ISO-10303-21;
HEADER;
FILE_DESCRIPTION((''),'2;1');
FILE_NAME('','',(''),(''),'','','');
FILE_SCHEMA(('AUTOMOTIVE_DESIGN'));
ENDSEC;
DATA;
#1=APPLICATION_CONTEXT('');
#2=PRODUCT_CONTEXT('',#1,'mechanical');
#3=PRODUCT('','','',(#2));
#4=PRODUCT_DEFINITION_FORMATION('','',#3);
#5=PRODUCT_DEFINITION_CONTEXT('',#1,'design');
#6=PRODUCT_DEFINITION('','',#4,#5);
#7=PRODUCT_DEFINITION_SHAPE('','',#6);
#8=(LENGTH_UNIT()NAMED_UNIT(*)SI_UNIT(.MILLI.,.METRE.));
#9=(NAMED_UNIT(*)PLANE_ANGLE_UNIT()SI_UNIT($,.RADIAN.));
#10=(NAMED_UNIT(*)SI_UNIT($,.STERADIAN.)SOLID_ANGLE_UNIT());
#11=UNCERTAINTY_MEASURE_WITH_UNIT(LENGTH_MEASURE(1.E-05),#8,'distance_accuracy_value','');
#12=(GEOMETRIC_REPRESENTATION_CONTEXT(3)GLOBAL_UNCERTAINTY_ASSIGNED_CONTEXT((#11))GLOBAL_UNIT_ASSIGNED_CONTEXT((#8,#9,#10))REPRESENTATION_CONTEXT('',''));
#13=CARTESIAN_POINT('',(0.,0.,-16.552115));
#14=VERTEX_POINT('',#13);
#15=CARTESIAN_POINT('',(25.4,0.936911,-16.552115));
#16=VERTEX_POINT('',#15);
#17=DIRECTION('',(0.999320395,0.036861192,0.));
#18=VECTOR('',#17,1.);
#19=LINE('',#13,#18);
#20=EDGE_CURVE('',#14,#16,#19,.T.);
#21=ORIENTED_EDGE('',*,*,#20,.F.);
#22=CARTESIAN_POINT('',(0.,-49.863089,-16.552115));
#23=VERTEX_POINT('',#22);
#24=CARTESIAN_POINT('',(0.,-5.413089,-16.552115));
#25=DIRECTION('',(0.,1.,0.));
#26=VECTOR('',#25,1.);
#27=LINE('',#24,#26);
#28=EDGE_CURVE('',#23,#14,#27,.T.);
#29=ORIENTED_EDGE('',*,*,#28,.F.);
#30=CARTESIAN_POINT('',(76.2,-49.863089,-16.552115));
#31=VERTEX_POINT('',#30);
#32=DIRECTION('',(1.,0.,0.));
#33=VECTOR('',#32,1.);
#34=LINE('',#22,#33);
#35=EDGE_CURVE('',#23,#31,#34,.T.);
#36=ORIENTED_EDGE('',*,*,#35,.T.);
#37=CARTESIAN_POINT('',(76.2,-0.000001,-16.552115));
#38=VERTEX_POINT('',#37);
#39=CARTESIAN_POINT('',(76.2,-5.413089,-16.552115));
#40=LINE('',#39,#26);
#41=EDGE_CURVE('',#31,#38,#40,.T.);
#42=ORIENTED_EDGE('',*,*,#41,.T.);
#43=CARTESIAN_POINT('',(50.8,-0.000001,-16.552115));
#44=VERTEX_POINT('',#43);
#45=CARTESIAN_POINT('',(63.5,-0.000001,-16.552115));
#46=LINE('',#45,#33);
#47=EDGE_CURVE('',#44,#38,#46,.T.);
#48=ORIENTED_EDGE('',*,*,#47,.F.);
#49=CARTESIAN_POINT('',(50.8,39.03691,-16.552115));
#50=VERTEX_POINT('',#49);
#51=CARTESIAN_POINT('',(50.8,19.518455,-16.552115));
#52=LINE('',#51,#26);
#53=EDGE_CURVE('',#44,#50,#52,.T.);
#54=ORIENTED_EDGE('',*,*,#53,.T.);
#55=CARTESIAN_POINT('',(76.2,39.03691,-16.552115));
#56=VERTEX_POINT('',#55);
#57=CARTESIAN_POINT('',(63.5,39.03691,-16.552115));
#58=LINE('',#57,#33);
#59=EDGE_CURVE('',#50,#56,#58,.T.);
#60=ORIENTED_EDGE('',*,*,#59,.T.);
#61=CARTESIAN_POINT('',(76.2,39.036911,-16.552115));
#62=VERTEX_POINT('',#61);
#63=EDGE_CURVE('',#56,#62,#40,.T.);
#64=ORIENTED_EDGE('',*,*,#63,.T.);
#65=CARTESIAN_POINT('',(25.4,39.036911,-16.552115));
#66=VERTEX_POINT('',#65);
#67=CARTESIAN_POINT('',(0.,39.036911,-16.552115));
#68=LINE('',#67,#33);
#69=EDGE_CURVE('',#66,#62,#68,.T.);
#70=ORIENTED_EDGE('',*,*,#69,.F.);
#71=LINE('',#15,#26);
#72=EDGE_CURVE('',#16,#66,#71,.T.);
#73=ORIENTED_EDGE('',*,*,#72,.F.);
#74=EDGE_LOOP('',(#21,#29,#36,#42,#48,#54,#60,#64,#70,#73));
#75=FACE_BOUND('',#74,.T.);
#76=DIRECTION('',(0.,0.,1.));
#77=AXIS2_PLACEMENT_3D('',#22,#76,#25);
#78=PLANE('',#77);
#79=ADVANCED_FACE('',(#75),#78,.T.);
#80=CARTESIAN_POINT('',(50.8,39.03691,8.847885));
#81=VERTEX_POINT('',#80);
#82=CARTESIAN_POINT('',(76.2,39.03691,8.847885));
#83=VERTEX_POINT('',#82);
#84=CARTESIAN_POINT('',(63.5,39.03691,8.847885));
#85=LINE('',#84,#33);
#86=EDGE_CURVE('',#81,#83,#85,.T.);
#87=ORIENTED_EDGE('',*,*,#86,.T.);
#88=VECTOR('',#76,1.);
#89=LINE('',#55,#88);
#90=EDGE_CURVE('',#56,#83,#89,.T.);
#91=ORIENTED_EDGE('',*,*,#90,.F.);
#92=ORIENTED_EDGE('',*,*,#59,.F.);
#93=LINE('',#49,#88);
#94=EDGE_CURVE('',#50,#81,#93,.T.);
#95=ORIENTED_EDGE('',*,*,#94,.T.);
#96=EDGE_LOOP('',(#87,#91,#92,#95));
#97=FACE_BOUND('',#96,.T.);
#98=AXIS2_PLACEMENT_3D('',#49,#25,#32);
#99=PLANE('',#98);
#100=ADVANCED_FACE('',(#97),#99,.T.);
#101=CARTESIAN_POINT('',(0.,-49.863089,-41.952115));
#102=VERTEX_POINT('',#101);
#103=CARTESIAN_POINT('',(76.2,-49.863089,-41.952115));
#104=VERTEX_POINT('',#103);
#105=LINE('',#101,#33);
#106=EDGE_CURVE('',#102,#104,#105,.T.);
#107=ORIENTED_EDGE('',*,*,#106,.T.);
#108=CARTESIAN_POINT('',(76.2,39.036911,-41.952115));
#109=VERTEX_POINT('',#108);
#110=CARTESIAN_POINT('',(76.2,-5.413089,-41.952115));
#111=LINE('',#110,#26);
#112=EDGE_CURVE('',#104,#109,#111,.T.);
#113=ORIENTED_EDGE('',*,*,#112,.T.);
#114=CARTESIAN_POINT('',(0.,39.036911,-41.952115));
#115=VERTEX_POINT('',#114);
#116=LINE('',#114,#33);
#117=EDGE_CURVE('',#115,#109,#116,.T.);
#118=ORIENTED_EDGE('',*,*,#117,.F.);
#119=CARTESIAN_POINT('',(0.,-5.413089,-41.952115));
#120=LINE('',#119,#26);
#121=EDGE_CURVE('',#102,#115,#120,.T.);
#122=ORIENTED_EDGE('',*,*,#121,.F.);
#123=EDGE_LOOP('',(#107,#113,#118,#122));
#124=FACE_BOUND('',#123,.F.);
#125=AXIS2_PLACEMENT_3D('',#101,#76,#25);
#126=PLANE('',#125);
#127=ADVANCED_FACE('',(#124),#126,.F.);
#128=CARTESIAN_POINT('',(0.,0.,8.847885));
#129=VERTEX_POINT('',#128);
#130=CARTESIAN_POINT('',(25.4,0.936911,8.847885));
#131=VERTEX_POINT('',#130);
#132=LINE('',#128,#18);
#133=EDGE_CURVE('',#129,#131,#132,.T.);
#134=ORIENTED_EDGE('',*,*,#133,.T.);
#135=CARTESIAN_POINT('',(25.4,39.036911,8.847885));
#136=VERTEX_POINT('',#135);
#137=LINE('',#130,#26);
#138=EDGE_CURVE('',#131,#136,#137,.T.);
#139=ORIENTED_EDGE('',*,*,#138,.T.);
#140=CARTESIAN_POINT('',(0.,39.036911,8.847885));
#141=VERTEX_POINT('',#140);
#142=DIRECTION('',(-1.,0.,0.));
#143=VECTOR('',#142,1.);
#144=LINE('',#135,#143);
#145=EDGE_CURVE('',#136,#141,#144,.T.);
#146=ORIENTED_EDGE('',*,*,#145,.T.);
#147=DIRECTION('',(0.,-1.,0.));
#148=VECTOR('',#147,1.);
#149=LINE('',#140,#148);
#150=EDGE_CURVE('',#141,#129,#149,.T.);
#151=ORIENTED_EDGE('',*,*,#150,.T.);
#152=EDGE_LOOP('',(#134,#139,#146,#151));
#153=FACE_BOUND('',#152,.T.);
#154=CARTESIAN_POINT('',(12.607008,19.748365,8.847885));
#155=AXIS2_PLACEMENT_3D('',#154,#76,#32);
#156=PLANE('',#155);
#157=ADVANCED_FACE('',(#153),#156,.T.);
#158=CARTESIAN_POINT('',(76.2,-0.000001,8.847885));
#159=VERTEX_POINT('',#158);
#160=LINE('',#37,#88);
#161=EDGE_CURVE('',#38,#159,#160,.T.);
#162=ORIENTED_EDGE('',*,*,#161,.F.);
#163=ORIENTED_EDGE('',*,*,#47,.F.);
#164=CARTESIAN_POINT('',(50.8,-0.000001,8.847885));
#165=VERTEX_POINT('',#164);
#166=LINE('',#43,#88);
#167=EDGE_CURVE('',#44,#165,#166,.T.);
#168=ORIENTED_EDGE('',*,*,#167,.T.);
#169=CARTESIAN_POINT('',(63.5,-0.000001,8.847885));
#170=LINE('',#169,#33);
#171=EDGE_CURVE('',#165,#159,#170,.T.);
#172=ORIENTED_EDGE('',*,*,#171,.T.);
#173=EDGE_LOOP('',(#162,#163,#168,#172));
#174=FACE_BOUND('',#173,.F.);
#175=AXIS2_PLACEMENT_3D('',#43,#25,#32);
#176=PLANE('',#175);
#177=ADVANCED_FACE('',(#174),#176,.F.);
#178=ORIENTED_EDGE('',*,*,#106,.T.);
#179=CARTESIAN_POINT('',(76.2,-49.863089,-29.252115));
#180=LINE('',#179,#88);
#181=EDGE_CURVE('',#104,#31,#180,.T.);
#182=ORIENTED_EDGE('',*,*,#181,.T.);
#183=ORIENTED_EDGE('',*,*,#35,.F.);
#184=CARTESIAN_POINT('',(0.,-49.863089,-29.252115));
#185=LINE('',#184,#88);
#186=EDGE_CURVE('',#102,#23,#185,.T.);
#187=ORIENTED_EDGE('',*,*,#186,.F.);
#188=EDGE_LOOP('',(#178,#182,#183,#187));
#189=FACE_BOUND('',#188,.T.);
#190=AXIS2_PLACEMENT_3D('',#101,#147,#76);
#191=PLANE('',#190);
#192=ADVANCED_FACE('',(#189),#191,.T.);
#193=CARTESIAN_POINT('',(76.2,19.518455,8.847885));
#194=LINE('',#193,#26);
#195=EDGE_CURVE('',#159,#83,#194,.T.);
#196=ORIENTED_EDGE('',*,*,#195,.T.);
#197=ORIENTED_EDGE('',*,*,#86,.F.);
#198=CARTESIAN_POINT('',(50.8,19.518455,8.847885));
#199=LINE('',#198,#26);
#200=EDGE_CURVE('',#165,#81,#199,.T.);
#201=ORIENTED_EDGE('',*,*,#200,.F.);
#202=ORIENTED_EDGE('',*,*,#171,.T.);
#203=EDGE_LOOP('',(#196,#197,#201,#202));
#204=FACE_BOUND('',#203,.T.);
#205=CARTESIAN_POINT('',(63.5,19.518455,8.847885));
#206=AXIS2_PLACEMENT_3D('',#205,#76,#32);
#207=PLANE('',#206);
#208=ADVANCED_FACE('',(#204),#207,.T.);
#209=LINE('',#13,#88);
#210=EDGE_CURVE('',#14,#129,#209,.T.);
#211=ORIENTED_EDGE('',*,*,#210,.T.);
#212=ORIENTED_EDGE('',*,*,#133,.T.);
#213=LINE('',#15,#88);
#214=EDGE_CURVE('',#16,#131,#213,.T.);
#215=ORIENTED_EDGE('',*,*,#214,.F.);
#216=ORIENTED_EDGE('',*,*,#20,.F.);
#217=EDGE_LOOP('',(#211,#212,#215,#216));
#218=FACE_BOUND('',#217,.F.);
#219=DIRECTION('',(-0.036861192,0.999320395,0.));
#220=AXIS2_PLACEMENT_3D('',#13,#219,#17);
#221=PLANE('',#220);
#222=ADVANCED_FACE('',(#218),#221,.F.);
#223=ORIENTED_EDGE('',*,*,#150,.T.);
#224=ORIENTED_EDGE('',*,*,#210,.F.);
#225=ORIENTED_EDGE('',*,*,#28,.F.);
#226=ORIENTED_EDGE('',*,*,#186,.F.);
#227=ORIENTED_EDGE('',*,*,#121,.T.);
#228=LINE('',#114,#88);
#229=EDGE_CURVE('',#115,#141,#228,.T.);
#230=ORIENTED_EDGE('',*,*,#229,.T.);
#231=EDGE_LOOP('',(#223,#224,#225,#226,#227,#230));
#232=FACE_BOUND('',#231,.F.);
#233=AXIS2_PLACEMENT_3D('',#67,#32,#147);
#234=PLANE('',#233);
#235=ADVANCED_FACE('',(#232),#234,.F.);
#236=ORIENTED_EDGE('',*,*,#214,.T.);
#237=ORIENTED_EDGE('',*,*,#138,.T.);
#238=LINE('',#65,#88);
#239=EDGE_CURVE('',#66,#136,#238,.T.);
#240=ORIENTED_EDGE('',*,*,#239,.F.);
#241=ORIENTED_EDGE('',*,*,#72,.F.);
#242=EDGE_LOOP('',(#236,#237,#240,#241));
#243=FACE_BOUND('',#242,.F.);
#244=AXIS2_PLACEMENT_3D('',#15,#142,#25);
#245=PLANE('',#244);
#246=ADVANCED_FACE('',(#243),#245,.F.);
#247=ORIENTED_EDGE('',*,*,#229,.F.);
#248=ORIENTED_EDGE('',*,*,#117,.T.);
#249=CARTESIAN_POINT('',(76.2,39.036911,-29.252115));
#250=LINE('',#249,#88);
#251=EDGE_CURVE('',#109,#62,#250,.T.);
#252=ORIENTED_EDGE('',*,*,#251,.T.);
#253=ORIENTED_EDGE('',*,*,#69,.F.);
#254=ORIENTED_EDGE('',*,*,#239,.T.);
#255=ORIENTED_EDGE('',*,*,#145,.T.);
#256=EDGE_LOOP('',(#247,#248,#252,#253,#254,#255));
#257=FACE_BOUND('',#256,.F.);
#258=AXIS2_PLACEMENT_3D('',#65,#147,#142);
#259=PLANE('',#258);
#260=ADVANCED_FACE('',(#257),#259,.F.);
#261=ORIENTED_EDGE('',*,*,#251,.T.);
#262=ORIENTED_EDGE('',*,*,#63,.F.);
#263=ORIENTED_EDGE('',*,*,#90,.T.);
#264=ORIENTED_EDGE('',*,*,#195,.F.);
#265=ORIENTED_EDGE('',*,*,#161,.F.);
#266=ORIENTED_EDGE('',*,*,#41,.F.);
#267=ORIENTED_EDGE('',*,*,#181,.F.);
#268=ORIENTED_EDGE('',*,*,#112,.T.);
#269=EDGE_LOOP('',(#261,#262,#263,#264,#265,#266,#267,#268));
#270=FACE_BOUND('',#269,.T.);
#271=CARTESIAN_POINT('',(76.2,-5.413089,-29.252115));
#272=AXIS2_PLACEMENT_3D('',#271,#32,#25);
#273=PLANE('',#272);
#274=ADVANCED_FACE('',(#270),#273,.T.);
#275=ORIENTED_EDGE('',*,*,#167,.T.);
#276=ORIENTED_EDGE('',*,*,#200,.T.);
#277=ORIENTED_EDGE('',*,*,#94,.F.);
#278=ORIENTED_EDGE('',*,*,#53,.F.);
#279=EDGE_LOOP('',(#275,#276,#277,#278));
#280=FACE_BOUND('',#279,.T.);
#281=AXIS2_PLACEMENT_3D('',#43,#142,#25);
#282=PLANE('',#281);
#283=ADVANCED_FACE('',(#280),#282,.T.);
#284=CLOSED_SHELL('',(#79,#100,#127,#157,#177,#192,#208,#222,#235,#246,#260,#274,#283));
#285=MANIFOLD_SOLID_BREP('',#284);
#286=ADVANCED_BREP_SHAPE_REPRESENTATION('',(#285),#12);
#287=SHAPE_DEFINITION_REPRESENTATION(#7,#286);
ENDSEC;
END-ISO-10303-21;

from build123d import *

# Parameters (mm, degrees)
F0_W     = 88.9
F0_H     = 25.4
F1_DEPTH = 76.2
F3_DEPTH = 25.4
F4_W     = 25.4
F4_H     = 39.036911
F5_DEPTH = 25.4


with BuildPart() as f1:
    # F0 (on Right) → F1 (new body)
    with BuildSketch(Plane.YZ):
        with Locations((-5.413089, -29.252115)):
            Rectangle(F0_W, F0_H)
    extrude(amount=F1_DEPTH)

    # F2 (on face) → F3 (join)
    with BuildSketch(Plane.XY.offset(-16.552115)):
        Polygon((25.4, 39.036911), (0, 39.036911), (0, 0), (25.4, 0.936911), align=None)
    extrude(amount=F3_DEPTH)

    # F4 (on face) → F5 (join)
    with BuildSketch(Plane.XY.offset(-16.552115)):
        with Locations((63.5, 19.518455)):
            Rectangle(F4_W, F4_H)
    extrude(amount=F5_DEPTH)


solid = f1.part
